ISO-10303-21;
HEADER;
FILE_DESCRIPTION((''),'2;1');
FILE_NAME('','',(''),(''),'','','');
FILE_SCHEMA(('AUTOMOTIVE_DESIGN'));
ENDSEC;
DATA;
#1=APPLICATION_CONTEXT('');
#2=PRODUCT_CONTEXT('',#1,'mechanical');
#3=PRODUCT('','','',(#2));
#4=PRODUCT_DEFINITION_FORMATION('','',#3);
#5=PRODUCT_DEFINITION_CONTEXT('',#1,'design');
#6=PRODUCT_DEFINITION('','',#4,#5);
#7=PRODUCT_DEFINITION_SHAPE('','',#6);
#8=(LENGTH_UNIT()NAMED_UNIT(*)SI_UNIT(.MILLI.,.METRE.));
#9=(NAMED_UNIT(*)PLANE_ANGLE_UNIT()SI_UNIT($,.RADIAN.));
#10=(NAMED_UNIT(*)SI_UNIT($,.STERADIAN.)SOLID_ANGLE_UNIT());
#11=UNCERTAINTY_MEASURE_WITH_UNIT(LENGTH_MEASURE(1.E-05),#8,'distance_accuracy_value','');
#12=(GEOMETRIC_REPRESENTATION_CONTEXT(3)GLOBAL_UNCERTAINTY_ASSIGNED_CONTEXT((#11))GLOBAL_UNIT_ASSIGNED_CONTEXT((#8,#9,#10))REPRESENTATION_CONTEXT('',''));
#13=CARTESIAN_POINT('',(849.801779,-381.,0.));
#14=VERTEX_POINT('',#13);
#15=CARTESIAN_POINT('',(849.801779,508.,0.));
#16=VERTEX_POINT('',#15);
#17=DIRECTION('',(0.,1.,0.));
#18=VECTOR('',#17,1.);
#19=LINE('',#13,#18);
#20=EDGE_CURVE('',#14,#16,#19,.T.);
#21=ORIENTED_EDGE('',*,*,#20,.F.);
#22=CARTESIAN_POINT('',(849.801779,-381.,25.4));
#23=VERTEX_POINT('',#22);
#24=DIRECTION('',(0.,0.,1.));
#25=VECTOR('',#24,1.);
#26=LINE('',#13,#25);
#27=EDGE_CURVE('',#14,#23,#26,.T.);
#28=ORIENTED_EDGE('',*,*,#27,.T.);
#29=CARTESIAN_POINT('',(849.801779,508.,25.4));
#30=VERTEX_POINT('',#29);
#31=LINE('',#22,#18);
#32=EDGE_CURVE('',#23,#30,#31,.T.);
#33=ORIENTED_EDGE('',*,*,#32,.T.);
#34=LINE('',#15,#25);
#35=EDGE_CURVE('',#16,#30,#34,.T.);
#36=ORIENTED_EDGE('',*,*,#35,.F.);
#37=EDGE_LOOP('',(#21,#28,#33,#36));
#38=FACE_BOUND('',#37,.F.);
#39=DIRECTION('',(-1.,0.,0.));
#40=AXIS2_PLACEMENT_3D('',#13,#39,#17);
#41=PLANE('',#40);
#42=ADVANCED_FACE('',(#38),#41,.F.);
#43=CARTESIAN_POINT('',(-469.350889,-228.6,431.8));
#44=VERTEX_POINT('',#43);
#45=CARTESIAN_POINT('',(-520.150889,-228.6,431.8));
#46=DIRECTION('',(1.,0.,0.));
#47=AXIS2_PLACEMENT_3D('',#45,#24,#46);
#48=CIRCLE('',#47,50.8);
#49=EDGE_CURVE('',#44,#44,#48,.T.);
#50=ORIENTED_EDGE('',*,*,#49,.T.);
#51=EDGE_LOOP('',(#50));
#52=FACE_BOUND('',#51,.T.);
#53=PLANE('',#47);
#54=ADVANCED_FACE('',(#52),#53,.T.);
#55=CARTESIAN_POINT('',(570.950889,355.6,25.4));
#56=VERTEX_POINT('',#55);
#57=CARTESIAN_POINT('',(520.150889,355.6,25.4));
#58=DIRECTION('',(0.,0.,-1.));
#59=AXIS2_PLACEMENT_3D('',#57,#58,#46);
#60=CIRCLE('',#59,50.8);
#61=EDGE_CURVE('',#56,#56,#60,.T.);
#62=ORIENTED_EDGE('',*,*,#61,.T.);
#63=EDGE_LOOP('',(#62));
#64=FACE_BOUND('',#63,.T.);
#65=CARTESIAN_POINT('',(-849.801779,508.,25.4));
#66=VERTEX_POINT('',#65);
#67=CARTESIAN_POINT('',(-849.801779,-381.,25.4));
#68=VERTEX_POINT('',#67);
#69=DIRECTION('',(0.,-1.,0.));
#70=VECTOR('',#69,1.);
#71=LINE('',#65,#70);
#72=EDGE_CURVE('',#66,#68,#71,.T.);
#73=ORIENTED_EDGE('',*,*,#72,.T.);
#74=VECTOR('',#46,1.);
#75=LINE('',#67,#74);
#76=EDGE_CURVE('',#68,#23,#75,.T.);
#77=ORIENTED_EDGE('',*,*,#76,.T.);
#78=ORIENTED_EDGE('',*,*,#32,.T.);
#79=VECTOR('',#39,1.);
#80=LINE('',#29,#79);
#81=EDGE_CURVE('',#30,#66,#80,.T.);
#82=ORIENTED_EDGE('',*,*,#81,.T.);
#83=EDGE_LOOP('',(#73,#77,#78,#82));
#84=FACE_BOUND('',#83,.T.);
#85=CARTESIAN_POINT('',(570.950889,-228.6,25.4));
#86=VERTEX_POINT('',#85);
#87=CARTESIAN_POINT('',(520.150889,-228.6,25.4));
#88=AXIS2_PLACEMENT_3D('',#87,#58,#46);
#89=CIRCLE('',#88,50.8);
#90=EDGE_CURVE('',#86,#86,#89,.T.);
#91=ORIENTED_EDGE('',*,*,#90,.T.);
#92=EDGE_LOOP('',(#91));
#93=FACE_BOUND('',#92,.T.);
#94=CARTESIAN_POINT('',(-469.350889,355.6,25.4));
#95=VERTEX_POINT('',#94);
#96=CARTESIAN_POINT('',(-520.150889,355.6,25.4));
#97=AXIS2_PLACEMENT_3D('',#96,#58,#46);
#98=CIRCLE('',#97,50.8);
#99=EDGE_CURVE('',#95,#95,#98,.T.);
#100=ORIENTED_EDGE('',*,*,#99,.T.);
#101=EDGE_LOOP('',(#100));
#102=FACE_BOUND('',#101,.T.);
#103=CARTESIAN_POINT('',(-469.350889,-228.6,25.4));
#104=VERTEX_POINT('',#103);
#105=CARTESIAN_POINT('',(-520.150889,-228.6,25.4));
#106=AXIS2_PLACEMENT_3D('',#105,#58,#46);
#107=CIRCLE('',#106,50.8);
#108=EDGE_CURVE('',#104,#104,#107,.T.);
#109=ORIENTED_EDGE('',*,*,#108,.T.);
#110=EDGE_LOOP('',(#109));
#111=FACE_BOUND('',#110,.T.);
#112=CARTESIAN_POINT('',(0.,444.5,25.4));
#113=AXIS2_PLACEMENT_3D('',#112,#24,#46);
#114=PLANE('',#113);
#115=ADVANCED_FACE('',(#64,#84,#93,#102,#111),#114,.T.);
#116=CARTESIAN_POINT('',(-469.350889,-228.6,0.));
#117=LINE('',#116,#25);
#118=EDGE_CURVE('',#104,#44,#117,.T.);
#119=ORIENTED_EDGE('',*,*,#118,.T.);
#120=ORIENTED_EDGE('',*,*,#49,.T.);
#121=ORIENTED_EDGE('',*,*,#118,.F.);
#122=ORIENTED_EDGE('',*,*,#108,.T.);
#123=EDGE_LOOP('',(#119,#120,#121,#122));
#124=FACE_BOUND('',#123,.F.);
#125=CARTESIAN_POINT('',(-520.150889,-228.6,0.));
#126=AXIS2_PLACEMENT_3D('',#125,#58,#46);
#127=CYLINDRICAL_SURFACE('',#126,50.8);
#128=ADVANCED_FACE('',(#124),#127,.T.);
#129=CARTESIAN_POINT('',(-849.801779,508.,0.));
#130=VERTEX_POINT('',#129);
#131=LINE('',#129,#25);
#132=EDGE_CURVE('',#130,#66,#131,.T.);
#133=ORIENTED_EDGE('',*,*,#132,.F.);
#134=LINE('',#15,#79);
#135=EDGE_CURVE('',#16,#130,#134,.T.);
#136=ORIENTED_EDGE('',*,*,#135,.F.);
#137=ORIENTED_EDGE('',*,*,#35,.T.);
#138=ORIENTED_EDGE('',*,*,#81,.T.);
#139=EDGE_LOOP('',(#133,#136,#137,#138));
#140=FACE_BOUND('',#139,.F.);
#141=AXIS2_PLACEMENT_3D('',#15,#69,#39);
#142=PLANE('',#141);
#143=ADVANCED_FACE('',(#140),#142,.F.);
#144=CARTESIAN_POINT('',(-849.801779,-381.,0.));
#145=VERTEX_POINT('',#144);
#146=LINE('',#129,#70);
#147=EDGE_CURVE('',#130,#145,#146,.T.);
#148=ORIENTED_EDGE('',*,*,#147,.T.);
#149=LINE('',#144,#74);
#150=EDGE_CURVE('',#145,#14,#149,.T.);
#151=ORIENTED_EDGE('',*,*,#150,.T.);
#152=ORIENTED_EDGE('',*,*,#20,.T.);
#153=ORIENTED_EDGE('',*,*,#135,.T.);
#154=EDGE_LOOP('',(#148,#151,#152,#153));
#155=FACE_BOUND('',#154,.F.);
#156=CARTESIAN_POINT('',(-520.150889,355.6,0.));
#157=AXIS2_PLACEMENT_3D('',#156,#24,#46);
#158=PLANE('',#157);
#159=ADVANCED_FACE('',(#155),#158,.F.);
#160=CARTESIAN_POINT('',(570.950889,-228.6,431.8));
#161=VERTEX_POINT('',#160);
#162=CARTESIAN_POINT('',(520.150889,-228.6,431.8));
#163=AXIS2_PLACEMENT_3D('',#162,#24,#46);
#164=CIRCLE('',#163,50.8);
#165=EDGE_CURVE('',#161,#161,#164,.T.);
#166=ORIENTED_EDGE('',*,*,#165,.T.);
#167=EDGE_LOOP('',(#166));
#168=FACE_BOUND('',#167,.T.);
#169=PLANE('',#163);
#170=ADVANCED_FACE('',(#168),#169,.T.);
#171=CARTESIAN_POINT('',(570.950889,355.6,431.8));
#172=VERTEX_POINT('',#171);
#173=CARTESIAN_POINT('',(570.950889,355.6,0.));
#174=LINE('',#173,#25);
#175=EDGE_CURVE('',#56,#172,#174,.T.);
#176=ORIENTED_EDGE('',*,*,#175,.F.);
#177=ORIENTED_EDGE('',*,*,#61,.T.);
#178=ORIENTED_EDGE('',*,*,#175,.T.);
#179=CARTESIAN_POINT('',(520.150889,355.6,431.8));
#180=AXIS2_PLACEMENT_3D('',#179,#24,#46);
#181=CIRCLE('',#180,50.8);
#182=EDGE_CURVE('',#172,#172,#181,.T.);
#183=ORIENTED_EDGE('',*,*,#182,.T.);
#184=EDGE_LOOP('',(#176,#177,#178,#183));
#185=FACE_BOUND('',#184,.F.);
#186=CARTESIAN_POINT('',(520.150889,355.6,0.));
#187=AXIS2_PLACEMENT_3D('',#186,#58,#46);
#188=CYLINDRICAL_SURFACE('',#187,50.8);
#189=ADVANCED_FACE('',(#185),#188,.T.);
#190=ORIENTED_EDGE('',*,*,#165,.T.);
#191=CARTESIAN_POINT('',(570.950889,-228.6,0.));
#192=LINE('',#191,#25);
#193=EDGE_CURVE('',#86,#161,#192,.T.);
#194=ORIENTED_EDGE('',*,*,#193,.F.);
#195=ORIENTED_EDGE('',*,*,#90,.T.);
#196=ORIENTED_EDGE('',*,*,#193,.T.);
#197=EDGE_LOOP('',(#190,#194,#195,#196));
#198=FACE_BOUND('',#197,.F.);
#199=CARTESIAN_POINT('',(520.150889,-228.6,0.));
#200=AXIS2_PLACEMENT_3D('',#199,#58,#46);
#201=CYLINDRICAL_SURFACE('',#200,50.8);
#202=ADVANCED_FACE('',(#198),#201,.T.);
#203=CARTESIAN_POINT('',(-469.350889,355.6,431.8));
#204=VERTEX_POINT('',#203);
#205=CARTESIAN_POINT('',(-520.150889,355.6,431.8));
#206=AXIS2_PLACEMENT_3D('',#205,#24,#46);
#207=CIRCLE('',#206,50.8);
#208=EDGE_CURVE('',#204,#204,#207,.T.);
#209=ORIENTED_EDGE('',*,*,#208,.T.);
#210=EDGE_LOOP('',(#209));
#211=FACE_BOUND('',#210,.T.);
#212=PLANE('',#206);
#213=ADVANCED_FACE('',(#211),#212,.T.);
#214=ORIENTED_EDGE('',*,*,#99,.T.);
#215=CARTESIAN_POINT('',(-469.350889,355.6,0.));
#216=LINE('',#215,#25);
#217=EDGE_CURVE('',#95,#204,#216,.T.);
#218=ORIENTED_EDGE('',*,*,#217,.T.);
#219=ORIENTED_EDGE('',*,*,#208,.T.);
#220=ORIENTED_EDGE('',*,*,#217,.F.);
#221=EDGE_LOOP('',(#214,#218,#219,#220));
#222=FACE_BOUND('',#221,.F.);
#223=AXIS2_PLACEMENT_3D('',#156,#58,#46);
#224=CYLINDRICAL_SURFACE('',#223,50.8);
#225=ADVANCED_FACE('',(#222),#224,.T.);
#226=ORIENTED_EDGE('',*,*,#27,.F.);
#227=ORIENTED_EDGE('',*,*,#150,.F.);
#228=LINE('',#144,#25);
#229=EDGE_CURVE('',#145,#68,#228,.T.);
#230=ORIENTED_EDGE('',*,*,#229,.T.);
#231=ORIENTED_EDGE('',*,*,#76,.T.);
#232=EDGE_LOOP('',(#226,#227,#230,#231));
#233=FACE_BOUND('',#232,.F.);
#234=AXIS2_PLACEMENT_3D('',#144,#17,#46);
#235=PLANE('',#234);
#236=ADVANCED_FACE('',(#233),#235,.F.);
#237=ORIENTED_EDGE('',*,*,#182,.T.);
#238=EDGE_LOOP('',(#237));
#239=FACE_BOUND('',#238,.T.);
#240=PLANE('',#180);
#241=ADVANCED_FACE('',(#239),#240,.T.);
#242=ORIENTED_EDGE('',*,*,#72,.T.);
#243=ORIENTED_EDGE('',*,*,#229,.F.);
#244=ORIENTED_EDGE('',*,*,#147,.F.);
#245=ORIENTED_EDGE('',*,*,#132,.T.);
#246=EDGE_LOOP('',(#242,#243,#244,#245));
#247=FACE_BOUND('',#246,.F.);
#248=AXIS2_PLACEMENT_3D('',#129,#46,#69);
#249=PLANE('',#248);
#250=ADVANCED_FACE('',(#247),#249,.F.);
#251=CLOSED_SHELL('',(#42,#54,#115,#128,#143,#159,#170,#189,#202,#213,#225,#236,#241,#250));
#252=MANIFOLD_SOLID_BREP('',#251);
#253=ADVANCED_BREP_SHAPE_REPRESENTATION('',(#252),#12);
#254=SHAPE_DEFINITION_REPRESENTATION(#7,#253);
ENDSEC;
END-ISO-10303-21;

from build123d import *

# Parameters (mm, degrees)
F0_R     = 50.8
F0_W     = 25.4
F0_H     = 127
F1_DEPTH = 25.4
F2_DEPTH = 431.8


with BuildPart() as f1:
    # F0 (on Top) → F1 (new body)
    with BuildSketch(Plane.XY):
        Polygon((-190.5, 508), (-190.5, 381), (-12.7, 381), (12.7, 381), (190.5, 381), (190.5, 508), align=None)
        Polygon((190.5, 381), (12.7, 381), (12.7, 254), (12.7, 127), (12.7, 0), (12.7, -127), (12.7, -254), (12.7, -381), (190.5, -381), align=None)
        Polygon((849.801779, 508), (190.5, 508), (190.5, 381), (190.5, -381), (849.801779, -381), align=None)
        with Locations((520.150889, -228.6)):
            Circle(F0_R, mode=Mode.SUBTRACT)
        with Locations((520.150889, 355.6)):
            Circle(F0_R, mode=Mode.SUBTRACT)
        with Locations((520.150889, 355.6)):
            Circle(F0_R)
        with Locations((520.150889, -228.6)):
            Circle(F0_R)
        Polygon((-12.7, 381), (-190.5, 381), (-190.5, -381), (-12.7, -381), (-12.7, -254), (-12.7, -127), (-12.7, 0), (-12.7, 127), (-12.7, 254), align=None)
        Polygon((-190.5, -381), (-190.5, 381), (-190.5, 508), (-849.801779, 508), (-849.801779, -381), align=None)
        with Locations((-520.150889, -228.6)):
            Circle(F0_R, mode=Mode.SUBTRACT)
        with Locations((-520.150889, 355.6)):
            Circle(F0_R, mode=Mode.SUBTRACT)
        with Locations((-520.150889, 355.6)):
            Circle(F0_R)
        with Locations((-520.150889, -228.6)):
            Circle(F0_R)
        with Locations((0, -317.5)):
            Rectangle(F0_W, F0_H)
        with Locations((0, -190.5)):
            Rectangle(F0_W, F0_H)
        with Locations((0, -63.5)):
            Rectangle(F0_W, F0_H)
        with Locations((0, 63.5)):
            Rectangle(F0_W, F0_H)
        with Locations((0, 317.5)):
            Rectangle(F0_W, F0_H)
        with Locations((0, 190.5)):
            Rectangle(F0_W, F0_H)
    extrude(amount=F1_DEPTH)

    # F0 (on Top) → F2 (join)
    with BuildSketch(Plane.XY):
        with Locations((-520.150889, 355.6)):
            Circle(F0_R)
        with Locations((520.150889, 355.6)):
            Circle(F0_R)
        with Locations((520.150889, -228.6)):
            Circle(F0_R)
        with Locations((-520.150889, -228.6)):
            Circle(F0_R)
    extrude(amount=F2_DEPTH)


solid = f1.part
